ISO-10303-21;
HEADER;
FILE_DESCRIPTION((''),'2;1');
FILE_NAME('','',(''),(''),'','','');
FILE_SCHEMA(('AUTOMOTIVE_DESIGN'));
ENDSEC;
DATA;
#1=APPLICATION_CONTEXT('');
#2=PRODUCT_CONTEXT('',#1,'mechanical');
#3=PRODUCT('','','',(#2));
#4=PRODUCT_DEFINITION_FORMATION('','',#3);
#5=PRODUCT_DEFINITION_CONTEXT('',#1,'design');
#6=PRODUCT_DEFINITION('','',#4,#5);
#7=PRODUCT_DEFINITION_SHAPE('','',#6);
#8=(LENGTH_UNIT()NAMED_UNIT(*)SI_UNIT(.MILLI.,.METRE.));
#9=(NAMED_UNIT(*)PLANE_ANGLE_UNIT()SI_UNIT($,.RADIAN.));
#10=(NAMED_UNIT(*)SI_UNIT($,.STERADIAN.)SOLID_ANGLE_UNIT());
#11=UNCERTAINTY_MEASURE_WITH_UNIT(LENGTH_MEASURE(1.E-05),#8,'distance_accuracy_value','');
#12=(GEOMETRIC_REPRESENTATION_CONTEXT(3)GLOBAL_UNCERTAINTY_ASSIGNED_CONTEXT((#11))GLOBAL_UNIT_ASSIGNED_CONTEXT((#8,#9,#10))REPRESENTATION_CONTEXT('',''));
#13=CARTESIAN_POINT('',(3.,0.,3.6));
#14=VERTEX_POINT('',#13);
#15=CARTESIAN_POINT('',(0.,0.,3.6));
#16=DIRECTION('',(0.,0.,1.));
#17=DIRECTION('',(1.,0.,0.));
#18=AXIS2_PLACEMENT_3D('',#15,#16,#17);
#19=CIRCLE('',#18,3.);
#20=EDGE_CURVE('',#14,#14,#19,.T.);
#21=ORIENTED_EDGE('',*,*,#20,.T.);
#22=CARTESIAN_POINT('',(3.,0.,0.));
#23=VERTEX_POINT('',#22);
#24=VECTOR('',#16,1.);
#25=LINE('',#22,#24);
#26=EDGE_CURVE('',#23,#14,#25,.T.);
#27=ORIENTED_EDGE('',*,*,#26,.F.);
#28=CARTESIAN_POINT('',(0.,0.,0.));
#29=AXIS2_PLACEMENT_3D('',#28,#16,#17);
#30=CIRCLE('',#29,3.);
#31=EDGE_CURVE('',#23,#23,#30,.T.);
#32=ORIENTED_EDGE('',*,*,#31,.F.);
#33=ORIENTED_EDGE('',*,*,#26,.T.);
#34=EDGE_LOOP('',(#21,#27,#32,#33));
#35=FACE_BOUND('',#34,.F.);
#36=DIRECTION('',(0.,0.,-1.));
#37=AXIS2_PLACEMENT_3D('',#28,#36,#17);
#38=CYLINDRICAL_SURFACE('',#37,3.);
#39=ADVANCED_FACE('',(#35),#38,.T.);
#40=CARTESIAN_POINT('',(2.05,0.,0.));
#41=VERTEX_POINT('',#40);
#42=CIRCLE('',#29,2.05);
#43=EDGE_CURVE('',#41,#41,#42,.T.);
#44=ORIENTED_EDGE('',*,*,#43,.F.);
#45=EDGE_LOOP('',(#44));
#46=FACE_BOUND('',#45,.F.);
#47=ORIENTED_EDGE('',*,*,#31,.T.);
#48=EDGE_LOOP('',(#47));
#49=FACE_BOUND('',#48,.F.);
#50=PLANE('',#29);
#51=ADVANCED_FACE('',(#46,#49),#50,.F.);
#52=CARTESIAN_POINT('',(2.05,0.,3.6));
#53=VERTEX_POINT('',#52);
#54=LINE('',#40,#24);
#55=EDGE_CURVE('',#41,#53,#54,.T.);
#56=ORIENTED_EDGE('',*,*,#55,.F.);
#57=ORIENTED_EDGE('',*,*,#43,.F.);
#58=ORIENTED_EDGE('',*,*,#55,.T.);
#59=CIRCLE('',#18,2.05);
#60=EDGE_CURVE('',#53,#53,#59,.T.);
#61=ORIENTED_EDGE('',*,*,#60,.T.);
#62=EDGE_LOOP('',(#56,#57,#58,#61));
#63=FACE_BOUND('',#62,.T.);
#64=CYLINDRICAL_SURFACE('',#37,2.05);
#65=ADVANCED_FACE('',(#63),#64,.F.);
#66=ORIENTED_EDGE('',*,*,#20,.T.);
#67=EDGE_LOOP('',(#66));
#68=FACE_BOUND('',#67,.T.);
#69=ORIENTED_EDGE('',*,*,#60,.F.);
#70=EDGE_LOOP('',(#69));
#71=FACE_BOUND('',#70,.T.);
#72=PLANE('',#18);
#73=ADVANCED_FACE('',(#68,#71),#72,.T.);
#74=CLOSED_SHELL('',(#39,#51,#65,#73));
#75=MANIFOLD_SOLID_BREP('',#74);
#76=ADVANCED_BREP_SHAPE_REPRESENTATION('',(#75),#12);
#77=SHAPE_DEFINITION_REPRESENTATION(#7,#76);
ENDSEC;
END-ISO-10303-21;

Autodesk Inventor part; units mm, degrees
ref_plane "YZ Plane" through (0, 0, 0) normal (1, 0, 0) x (0, 1, 0)
ref_plane "XZ Plane" through (0, 0, 0) normal (0, 1, 0) x (-1, 0, 0)
ref_plane "XY Plane" through (0, 0, 0) normal (0, 0, 1) x (1, 0, 0)
sketch "Sketch1" plane through (0, 0, 0) normal (0, 0, 1) x (1, 0, 0)
  circle A0 centre (0, 0) radius 3
  circle A1 centre (0, 0) radius 2.05
  dimension "d0" = 6
  dimension "d1" = 4.1
extrude "Extrusion1" add sketch "Sketch1" along normal blind 3.6
properties part number "circle"
